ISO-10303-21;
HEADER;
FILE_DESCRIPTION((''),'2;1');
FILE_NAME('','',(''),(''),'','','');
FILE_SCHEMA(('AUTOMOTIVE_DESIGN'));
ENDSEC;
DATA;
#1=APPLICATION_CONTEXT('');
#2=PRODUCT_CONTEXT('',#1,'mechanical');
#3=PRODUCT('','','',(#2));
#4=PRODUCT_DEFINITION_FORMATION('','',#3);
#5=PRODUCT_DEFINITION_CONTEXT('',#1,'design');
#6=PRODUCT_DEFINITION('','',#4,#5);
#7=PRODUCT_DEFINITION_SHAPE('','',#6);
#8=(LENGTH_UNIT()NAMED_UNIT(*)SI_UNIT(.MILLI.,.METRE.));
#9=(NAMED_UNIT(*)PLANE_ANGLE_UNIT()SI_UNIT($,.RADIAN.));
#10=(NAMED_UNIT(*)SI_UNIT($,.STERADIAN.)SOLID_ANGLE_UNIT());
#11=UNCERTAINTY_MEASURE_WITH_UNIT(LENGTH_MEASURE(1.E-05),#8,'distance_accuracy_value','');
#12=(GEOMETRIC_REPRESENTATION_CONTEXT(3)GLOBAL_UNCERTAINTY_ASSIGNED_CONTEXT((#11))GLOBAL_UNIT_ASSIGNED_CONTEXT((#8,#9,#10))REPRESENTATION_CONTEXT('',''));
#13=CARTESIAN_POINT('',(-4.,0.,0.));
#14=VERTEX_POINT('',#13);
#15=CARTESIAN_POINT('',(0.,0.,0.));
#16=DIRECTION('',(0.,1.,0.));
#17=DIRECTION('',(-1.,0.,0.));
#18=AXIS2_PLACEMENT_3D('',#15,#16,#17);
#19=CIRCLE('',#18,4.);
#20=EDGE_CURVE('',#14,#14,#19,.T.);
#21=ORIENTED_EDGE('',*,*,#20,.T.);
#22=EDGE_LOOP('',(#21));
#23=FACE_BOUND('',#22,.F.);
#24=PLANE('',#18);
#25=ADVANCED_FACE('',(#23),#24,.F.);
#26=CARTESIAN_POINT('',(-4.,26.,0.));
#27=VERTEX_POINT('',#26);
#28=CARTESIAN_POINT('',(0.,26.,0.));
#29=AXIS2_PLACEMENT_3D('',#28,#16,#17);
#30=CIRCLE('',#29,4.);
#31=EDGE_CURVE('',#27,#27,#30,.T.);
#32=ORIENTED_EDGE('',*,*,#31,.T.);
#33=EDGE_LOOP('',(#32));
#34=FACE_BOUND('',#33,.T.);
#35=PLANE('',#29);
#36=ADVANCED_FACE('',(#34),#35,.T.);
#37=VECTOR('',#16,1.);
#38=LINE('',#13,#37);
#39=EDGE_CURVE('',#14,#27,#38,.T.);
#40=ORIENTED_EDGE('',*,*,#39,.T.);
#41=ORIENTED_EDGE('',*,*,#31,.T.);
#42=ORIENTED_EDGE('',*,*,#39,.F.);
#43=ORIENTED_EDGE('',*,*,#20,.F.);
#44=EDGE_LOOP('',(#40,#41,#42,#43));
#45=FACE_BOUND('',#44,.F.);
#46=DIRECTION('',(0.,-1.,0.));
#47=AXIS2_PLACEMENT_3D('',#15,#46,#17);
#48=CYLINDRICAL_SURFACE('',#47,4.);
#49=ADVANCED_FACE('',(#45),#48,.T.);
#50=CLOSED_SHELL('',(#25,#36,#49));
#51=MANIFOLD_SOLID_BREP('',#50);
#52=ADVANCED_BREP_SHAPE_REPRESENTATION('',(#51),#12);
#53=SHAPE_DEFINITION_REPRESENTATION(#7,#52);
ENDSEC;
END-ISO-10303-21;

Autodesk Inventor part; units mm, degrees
ref_plane "YZ Plane" through (0, 0, 0) normal (1, 0, 0) x (0, 1, 0)
ref_plane "XZ Plane" through (0, 0, 0) normal (0, 1, 0) x (-1, 0, 0)
ref_plane "XY Plane" through (0, 0, 0) normal (0, 0, 1) x (1, 0, 0)
sketch "Esquisse1" plane through (0, 0, 0) normal (0, 1, 0) x (-1, 0, 0)
  circle A0 centre (0, 0) radius 4
  dimension "d0" = 8
extrude "Extrusion1" add sketch "Esquisse1" along normal blind 26
properties part number "bare_jonction"
